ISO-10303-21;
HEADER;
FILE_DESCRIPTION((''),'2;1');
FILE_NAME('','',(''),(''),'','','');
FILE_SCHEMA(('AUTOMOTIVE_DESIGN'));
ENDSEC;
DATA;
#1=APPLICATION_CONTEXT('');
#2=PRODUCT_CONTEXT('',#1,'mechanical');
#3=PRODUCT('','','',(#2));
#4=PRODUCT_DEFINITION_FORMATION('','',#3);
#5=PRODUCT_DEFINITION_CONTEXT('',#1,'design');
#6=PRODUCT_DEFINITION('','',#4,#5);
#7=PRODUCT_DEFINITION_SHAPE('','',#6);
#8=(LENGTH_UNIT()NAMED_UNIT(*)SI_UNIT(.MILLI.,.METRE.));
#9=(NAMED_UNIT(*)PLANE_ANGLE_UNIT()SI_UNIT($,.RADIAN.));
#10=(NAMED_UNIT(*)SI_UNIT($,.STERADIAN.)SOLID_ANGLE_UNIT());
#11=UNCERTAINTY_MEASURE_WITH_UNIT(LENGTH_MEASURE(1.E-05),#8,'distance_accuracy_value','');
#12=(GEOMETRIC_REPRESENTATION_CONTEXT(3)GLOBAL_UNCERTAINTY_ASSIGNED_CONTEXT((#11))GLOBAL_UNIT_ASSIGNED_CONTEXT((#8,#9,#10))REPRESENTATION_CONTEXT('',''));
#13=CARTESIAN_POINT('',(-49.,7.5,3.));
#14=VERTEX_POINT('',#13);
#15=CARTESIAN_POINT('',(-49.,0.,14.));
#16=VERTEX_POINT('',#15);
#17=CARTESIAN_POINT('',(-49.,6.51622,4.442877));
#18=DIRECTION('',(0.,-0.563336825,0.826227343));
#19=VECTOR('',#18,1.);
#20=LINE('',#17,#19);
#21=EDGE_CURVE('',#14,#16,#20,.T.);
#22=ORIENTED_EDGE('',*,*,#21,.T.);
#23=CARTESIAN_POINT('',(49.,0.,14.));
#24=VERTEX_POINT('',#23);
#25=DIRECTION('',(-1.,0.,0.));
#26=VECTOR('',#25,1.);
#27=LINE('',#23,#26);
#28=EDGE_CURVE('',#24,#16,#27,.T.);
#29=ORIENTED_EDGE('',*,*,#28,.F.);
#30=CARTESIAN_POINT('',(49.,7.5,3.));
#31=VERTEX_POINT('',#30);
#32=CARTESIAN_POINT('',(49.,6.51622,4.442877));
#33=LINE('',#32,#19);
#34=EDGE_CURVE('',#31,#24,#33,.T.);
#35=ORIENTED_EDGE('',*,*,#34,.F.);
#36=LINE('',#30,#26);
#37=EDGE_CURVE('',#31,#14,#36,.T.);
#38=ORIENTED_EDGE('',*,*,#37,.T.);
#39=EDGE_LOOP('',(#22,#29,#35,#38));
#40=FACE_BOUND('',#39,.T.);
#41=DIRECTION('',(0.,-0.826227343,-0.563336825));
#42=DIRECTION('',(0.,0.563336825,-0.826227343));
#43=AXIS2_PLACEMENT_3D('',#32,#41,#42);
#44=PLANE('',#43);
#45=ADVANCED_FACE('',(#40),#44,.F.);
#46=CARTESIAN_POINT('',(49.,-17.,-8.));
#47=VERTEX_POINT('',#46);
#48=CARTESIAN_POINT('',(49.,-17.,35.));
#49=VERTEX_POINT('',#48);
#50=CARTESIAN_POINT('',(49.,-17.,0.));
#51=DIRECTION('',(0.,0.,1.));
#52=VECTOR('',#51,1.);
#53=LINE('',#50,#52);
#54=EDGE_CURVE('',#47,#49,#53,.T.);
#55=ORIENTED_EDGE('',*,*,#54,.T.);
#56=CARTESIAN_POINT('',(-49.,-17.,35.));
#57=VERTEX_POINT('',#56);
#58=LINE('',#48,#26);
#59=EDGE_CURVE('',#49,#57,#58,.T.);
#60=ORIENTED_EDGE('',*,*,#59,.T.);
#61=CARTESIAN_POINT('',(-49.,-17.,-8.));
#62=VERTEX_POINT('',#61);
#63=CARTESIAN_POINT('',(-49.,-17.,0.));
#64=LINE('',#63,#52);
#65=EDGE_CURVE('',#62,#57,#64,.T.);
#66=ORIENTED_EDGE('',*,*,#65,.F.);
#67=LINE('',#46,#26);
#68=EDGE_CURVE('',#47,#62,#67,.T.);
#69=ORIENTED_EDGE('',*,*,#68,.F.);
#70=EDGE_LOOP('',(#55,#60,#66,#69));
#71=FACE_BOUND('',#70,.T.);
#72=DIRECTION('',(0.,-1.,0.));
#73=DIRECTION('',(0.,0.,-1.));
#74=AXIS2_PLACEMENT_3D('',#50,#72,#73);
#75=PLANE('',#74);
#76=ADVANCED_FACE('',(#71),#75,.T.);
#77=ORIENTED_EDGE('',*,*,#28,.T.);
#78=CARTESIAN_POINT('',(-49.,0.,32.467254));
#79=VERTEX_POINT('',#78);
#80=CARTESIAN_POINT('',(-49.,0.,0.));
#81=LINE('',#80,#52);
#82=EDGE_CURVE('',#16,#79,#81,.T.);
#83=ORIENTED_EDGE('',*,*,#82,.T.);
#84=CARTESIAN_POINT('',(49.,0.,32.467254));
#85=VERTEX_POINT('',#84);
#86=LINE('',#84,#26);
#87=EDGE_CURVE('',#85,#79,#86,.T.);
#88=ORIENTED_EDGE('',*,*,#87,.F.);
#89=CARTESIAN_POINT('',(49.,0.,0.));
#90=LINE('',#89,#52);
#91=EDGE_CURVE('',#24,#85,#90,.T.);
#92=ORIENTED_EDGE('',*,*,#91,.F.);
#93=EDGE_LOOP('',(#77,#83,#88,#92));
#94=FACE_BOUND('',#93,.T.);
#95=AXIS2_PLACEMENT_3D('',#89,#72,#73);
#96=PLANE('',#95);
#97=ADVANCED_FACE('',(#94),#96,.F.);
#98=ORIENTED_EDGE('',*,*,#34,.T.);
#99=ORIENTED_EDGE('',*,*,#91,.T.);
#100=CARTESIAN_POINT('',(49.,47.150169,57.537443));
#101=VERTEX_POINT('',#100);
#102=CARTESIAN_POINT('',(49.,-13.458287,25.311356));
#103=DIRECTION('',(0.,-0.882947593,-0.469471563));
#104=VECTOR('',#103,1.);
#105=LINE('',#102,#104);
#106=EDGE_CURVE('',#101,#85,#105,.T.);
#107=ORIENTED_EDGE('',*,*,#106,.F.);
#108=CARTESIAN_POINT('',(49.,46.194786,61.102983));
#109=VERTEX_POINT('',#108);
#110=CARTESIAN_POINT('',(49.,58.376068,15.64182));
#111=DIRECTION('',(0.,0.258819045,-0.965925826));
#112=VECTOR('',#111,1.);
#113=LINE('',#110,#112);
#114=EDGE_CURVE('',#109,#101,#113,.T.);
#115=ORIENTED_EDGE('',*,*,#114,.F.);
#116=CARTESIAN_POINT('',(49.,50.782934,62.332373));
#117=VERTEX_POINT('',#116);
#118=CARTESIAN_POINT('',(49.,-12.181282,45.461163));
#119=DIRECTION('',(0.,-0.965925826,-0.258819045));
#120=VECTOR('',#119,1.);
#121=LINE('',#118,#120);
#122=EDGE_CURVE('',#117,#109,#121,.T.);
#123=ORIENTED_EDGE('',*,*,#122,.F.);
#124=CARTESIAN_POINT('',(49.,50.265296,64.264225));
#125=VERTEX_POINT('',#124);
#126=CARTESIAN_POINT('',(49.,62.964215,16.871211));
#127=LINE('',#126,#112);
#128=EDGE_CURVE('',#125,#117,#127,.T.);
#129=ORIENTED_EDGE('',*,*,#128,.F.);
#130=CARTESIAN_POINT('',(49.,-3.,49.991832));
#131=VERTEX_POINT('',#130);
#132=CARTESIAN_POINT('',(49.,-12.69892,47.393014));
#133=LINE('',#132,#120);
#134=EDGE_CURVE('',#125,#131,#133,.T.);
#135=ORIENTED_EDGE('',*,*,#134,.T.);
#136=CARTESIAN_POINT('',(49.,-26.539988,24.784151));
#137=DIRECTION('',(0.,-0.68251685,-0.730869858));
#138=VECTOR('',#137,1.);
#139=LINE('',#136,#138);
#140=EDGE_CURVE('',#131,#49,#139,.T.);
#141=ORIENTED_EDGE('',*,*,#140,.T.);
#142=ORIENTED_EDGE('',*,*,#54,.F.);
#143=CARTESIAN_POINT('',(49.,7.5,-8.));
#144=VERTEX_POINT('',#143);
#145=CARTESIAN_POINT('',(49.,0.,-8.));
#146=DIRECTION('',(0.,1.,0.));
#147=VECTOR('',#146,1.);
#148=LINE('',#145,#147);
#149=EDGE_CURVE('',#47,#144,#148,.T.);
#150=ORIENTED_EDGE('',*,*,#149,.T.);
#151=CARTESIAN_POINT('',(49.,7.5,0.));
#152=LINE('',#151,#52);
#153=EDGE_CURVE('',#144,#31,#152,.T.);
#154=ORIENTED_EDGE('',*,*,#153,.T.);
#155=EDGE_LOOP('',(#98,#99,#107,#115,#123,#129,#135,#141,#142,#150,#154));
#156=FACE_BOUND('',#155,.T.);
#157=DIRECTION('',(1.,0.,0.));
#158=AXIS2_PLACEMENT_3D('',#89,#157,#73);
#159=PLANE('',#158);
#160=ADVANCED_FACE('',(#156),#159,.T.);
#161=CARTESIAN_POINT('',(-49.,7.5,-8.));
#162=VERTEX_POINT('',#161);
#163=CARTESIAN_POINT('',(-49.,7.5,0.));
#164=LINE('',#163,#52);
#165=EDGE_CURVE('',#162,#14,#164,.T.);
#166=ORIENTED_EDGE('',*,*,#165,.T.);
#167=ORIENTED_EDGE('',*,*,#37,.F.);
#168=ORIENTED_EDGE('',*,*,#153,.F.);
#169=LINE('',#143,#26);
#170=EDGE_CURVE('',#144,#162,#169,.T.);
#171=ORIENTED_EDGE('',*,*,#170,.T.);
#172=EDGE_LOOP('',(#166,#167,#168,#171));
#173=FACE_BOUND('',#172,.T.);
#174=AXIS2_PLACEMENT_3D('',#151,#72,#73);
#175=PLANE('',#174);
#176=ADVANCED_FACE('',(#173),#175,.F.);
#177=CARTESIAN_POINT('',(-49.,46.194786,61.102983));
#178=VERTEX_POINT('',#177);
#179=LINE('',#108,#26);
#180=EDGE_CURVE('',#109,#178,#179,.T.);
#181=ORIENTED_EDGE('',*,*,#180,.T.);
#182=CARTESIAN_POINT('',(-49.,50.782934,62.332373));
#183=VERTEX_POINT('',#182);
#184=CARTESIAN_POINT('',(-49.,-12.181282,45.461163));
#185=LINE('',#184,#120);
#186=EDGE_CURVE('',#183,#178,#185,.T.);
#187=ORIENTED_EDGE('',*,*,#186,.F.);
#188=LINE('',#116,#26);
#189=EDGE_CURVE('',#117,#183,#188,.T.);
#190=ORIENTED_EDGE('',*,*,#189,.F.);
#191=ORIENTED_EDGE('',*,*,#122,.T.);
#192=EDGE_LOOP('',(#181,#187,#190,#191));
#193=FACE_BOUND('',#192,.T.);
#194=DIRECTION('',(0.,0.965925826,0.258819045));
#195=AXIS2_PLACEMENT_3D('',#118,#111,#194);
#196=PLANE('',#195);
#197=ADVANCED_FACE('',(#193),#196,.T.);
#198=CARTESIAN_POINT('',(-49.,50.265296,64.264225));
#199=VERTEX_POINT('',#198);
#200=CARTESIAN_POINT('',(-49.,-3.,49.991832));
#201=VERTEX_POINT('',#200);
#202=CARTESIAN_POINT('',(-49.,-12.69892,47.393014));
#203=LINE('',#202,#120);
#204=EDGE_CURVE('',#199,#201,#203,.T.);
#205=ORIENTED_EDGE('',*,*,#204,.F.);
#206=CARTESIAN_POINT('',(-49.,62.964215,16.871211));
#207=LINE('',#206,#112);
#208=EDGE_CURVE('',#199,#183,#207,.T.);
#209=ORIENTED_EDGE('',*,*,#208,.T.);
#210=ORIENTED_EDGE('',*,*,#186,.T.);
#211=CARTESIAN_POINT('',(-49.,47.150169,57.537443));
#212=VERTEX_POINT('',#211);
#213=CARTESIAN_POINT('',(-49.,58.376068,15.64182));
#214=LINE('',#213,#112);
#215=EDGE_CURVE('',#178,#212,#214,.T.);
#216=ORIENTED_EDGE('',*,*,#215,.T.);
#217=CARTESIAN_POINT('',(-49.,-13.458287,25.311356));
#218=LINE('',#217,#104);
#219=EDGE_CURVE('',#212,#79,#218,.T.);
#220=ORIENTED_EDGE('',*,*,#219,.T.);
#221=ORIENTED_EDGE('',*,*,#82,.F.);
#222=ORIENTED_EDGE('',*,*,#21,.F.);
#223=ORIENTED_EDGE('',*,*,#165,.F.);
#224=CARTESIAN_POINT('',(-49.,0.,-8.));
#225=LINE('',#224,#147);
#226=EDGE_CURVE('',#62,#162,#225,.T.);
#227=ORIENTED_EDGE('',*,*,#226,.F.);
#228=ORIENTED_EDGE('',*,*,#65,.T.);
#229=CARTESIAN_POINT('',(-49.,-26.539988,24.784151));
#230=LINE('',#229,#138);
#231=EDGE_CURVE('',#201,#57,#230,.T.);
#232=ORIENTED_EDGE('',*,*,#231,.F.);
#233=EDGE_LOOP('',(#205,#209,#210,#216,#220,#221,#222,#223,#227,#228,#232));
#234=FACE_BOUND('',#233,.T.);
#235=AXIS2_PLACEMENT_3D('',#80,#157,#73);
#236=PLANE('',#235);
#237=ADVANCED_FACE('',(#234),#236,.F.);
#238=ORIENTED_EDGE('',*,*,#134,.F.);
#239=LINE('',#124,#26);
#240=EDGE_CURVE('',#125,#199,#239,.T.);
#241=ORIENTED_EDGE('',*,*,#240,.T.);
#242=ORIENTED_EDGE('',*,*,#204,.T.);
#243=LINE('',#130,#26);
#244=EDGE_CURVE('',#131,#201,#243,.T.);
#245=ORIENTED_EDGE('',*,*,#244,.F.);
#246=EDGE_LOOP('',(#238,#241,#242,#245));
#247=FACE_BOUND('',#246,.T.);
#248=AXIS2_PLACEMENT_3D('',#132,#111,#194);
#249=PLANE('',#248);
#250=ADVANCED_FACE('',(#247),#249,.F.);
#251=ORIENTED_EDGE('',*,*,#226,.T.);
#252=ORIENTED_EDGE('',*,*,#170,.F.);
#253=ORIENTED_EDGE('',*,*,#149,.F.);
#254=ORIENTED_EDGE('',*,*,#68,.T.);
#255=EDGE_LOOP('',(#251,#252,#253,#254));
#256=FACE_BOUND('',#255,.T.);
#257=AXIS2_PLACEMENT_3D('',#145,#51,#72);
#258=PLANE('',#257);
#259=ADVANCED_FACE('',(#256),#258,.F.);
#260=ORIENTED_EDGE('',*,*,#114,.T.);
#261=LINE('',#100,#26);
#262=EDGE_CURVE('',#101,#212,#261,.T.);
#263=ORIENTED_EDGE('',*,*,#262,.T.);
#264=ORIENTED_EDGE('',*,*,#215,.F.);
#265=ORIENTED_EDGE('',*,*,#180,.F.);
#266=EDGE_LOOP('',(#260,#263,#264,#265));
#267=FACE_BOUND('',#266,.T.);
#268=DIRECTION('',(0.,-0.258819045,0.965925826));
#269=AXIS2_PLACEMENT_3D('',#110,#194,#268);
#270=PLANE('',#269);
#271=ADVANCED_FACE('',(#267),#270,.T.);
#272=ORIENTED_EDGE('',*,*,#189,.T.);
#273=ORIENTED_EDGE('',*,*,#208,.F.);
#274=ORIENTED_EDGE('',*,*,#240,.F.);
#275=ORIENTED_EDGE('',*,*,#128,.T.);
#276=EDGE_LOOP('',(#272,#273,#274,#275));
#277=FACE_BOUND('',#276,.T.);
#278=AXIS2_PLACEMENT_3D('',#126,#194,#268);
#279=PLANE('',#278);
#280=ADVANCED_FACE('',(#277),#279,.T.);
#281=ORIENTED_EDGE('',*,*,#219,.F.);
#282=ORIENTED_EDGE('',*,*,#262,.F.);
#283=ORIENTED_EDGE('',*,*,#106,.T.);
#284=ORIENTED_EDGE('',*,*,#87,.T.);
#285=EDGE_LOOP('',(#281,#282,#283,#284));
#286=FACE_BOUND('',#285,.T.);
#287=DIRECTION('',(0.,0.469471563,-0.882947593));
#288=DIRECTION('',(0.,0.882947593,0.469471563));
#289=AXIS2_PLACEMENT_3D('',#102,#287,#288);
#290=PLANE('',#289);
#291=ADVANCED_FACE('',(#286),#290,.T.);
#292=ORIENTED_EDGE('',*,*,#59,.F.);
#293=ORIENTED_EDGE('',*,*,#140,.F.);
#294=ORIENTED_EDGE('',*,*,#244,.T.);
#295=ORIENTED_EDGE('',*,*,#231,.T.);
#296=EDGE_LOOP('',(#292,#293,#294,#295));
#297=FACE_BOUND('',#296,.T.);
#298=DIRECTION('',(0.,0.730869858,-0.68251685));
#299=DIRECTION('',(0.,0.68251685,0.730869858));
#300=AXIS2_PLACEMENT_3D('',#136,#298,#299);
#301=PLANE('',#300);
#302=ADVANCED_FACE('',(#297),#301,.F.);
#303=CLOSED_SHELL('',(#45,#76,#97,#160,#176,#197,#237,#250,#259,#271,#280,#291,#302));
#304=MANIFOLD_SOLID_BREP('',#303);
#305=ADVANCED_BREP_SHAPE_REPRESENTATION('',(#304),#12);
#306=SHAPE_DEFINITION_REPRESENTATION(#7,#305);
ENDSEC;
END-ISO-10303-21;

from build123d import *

# Parameters (mm, degrees)
BOSS_EXTRUDE1_DEPTH = 49


with BuildPart() as part:
    # Sketch1 → Boss-Extrude1 (new body, symmetric)
    with BuildSketch(Plane(origin=(0, 0, 0), x_dir=(0, 0, -1), z_dir=(1, 0, 0))):
        Polygon((-61.102982905, 46.194785918), (-62.332373369, 50.782933593), (-64.264225021, 50.265295502), (-49.991832107, -3), (-35, -17), (8, -17), (8, 7.5), (-3, 7.5), (-14, 0), (-32.467253687, 0), (-57.53744343, 47.150169341), align=None)
    extrude(amount=BOSS_EXTRUDE1_DEPTH, both=True)


solid = part.part
